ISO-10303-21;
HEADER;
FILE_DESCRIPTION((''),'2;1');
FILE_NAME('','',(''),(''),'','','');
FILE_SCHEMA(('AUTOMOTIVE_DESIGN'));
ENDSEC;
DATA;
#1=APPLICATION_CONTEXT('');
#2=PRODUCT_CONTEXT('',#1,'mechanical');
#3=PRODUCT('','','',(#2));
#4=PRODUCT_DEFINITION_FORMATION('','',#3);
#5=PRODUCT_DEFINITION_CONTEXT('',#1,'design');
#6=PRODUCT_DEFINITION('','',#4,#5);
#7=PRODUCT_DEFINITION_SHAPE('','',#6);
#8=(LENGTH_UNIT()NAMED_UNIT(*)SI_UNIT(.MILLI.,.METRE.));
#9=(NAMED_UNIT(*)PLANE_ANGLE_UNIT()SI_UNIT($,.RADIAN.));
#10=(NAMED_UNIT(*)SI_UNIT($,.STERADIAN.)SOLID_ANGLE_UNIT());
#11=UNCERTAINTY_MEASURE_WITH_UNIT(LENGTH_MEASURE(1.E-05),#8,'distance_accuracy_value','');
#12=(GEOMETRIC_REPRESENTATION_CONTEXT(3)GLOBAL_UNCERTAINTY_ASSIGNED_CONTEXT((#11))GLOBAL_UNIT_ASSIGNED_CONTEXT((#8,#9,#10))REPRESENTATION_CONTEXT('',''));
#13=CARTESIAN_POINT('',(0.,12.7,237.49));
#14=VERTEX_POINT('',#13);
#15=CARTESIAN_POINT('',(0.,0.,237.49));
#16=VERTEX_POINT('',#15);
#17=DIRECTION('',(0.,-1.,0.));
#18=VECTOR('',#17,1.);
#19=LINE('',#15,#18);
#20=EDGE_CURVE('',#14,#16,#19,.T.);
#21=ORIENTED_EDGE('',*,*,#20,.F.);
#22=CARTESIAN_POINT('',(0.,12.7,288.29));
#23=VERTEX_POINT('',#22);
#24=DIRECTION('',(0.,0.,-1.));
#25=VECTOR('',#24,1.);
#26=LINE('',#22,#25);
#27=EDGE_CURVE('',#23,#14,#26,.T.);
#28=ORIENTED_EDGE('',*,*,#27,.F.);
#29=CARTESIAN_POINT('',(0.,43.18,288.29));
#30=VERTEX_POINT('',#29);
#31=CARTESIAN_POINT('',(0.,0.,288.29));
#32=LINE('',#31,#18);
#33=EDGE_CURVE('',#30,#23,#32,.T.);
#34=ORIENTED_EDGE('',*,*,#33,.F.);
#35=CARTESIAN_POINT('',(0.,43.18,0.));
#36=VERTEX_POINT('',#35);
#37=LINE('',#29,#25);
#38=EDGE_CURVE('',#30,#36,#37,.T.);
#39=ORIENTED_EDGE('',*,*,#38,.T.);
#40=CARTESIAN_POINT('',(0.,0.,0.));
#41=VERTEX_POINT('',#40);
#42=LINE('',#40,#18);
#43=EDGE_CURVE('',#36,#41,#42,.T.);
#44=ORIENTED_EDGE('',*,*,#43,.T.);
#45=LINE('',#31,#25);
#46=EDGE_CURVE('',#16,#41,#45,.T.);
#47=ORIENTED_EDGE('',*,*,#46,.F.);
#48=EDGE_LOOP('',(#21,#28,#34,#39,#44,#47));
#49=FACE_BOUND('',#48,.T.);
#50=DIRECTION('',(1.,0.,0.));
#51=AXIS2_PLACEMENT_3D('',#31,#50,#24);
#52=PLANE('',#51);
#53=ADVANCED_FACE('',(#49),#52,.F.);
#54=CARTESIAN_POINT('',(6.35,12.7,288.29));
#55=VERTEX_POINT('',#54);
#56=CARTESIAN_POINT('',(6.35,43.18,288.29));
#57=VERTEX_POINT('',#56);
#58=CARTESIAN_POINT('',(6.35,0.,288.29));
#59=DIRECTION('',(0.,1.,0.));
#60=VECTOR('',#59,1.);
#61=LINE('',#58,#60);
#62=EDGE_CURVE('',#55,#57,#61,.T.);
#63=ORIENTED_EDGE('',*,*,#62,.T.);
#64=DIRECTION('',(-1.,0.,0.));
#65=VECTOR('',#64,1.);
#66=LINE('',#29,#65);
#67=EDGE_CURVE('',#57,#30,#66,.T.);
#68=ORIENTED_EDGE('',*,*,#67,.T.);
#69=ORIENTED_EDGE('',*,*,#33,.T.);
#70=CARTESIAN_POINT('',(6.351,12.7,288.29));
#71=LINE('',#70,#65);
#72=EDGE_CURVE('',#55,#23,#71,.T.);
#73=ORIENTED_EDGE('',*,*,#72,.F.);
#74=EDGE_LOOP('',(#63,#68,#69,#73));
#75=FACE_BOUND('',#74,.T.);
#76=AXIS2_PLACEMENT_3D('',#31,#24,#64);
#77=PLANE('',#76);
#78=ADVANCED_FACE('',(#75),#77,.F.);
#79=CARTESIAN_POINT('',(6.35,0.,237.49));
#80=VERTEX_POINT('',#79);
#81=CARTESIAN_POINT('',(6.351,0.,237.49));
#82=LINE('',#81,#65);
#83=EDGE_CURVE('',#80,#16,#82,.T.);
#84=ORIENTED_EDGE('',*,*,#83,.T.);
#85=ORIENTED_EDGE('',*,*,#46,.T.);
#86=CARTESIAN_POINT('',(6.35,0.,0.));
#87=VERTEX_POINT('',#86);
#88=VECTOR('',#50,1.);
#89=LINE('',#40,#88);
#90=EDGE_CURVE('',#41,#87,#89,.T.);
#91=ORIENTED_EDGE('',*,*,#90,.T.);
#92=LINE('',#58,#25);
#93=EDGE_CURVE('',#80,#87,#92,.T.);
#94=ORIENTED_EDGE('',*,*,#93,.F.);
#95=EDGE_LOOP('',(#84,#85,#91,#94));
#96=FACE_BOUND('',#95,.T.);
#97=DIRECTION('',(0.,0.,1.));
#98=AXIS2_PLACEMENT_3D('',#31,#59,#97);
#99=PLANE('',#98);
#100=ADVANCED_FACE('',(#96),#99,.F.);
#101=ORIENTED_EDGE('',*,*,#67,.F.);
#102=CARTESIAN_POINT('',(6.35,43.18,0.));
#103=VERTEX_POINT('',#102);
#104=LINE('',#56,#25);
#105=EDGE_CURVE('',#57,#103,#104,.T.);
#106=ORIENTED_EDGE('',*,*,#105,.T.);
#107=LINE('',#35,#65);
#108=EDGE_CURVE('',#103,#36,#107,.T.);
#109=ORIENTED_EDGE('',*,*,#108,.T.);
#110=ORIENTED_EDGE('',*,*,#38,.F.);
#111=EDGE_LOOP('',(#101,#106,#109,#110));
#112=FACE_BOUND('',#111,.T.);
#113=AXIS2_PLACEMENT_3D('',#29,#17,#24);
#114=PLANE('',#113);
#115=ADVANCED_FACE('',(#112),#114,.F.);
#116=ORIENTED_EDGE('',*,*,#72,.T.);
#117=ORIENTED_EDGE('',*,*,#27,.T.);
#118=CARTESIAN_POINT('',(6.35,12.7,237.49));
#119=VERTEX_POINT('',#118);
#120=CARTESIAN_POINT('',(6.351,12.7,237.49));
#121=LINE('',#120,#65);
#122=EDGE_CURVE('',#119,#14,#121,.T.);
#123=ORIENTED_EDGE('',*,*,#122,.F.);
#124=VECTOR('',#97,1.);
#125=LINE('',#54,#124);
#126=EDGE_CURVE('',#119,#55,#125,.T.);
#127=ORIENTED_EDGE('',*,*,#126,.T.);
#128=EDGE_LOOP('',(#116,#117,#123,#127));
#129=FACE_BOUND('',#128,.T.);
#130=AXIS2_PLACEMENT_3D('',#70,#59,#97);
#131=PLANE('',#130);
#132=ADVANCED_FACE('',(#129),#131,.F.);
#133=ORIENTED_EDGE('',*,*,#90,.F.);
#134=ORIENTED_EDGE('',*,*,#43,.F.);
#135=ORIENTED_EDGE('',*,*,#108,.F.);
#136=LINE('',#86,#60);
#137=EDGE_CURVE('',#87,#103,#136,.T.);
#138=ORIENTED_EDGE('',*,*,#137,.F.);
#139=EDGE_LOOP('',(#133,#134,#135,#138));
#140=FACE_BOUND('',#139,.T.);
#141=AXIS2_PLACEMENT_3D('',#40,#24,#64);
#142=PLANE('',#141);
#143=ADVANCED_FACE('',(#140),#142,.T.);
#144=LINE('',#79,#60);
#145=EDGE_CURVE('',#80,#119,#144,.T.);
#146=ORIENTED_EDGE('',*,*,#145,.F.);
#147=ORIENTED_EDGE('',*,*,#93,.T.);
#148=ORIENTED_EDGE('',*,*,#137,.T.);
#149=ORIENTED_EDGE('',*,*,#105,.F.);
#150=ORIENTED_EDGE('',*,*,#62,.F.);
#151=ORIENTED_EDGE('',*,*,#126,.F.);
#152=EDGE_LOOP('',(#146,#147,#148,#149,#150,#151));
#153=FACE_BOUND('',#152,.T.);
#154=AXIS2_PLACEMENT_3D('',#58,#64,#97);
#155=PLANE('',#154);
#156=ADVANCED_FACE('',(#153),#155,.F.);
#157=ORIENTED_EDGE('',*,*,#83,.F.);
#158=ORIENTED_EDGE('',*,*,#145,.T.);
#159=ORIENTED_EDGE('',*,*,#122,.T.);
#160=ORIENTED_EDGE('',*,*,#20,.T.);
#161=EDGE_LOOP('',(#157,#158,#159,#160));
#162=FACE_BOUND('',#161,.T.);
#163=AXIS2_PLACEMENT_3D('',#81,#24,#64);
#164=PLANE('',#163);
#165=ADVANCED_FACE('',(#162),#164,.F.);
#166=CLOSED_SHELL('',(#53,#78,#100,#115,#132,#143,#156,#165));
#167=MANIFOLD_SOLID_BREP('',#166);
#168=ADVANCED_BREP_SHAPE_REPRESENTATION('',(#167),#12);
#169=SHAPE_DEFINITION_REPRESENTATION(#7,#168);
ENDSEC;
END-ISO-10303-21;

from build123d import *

# Parameters (mm, degrees)
SKETCH1_W           = 6.35
SKETCH1_H           = 43.18
BOSS_EXTRUDE1_DEPTH = 288.29
CUT_EXTRUDE1_REACH  = 293.575
SKETCH2_W           = 50.8
SKETCH2_H           = 12.7


with BuildPart() as part:
    # Sketch1 → Boss-Extrude1 (new body)
    with BuildSketch(Plane.XY):
        with Locations((3.175, 21.59)):
            Rectangle(SKETCH1_W, SKETCH1_H)
    extrude(amount=BOSS_EXTRUDE1_DEPTH)

    # Sketch2 → Cut-Extrude1 (cut, up to next)
    with BuildSketch(Plane.ZY, mode=Mode.PRIVATE) as cut_extrude1_sk1:
        with Locations((262.89, 6.35)):
            Rectangle(SKETCH2_W, SKETCH2_H)
    cut_extrude1_tool1 = extrude(cut_extrude1_sk1.sketch, amount=-CUT_EXTRUDE1_REACH, mode=Mode.PRIVATE) & part.part
    add(cut_extrude1_tool1.solids().sort_by_distance((0, 6.35, 262.89))[0], mode=Mode.SUBTRACT)


solid = part.part
